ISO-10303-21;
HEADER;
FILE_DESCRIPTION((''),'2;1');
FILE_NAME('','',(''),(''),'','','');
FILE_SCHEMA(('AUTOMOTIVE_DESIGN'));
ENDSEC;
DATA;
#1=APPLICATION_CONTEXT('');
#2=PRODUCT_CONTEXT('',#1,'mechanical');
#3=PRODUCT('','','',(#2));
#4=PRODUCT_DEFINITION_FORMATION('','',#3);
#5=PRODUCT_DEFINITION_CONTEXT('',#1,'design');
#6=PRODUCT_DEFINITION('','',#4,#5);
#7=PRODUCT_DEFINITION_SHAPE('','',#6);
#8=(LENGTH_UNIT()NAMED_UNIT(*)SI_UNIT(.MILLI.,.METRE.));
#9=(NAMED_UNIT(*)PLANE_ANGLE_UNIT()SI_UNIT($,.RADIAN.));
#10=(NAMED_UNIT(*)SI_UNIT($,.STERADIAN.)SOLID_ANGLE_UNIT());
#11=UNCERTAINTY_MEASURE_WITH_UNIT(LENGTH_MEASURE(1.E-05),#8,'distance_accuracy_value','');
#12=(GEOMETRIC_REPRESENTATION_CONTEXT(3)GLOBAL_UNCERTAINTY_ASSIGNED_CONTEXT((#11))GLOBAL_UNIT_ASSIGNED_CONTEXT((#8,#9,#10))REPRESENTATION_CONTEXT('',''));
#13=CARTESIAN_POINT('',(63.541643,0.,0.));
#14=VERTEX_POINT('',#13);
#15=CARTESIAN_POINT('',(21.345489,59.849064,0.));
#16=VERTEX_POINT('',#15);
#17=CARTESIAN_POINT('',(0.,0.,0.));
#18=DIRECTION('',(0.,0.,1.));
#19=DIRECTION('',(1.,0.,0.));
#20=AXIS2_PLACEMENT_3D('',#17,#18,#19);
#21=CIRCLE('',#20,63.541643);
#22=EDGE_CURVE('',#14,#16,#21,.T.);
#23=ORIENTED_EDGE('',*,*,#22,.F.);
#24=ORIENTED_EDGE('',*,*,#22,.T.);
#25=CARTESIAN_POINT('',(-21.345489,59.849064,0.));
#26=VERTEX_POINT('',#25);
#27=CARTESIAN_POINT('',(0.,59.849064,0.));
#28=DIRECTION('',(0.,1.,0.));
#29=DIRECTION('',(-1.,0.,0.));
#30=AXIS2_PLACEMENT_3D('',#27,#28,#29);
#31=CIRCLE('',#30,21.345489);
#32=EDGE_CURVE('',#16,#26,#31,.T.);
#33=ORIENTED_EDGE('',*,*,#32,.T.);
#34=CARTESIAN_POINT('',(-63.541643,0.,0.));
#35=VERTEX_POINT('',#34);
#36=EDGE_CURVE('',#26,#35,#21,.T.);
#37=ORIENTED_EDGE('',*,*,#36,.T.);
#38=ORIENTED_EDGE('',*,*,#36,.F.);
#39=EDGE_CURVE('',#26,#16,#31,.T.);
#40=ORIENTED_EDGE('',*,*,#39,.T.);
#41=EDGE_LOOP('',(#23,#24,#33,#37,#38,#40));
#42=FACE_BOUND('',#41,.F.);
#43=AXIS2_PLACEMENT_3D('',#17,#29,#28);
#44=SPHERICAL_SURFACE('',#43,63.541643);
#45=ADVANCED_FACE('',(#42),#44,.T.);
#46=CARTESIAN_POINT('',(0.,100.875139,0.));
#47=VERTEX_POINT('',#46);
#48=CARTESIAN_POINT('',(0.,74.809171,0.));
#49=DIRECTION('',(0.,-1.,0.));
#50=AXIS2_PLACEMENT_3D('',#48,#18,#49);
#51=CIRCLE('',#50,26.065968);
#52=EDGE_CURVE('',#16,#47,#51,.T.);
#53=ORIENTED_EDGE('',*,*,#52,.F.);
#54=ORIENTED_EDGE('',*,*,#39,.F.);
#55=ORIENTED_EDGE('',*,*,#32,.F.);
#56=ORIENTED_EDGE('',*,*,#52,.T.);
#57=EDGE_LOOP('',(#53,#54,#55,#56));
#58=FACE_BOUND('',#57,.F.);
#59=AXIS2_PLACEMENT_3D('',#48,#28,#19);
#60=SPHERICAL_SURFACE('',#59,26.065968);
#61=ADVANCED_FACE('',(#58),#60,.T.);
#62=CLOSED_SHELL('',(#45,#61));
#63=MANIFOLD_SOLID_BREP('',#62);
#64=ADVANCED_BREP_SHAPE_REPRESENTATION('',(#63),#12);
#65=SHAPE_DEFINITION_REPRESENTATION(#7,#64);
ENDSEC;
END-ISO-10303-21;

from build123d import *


with BuildPart() as f1:
    # F0 (on Top) → F1 (revolve)
    with BuildSketch(Plane.XY):
        with BuildLine():
            Line((-63.541643, 0), (63.541643, 0))
            ThreePointArc((63.541643, 0), (0, 63.541643), (-63.541643, 0))
        make_face()
    revolve(axis=Axis((0, 0, 0), (1, 0, 0)))

    # F2 (on Top) → F3 (revolve)
    with BuildSketch(Plane.XY):
        with BuildLine():
            Line((0, 63.916765), (0, 74.870877))
            ThreePointArc((0, 74.870877), (-8.101354, 69.393821), (0, 63.916765))
        make_face()
    revolve(axis=Axis((0, 69.393821, 0), (0, -1, 0)))

    # F4 (on Top) → F5 (revolve)
    with BuildSketch(Plane.XY):
        with BuildLine():
            ThreePointArc((0, 48.743203), (26.065968, 74.809171), (0, 100.875139))
            Line((0, 100.875139), (0, 48.743203))
        make_face()
    revolve(axis=Axis((0, 74.809171, 0), (0, -1, 0)))


solid = f1.part
